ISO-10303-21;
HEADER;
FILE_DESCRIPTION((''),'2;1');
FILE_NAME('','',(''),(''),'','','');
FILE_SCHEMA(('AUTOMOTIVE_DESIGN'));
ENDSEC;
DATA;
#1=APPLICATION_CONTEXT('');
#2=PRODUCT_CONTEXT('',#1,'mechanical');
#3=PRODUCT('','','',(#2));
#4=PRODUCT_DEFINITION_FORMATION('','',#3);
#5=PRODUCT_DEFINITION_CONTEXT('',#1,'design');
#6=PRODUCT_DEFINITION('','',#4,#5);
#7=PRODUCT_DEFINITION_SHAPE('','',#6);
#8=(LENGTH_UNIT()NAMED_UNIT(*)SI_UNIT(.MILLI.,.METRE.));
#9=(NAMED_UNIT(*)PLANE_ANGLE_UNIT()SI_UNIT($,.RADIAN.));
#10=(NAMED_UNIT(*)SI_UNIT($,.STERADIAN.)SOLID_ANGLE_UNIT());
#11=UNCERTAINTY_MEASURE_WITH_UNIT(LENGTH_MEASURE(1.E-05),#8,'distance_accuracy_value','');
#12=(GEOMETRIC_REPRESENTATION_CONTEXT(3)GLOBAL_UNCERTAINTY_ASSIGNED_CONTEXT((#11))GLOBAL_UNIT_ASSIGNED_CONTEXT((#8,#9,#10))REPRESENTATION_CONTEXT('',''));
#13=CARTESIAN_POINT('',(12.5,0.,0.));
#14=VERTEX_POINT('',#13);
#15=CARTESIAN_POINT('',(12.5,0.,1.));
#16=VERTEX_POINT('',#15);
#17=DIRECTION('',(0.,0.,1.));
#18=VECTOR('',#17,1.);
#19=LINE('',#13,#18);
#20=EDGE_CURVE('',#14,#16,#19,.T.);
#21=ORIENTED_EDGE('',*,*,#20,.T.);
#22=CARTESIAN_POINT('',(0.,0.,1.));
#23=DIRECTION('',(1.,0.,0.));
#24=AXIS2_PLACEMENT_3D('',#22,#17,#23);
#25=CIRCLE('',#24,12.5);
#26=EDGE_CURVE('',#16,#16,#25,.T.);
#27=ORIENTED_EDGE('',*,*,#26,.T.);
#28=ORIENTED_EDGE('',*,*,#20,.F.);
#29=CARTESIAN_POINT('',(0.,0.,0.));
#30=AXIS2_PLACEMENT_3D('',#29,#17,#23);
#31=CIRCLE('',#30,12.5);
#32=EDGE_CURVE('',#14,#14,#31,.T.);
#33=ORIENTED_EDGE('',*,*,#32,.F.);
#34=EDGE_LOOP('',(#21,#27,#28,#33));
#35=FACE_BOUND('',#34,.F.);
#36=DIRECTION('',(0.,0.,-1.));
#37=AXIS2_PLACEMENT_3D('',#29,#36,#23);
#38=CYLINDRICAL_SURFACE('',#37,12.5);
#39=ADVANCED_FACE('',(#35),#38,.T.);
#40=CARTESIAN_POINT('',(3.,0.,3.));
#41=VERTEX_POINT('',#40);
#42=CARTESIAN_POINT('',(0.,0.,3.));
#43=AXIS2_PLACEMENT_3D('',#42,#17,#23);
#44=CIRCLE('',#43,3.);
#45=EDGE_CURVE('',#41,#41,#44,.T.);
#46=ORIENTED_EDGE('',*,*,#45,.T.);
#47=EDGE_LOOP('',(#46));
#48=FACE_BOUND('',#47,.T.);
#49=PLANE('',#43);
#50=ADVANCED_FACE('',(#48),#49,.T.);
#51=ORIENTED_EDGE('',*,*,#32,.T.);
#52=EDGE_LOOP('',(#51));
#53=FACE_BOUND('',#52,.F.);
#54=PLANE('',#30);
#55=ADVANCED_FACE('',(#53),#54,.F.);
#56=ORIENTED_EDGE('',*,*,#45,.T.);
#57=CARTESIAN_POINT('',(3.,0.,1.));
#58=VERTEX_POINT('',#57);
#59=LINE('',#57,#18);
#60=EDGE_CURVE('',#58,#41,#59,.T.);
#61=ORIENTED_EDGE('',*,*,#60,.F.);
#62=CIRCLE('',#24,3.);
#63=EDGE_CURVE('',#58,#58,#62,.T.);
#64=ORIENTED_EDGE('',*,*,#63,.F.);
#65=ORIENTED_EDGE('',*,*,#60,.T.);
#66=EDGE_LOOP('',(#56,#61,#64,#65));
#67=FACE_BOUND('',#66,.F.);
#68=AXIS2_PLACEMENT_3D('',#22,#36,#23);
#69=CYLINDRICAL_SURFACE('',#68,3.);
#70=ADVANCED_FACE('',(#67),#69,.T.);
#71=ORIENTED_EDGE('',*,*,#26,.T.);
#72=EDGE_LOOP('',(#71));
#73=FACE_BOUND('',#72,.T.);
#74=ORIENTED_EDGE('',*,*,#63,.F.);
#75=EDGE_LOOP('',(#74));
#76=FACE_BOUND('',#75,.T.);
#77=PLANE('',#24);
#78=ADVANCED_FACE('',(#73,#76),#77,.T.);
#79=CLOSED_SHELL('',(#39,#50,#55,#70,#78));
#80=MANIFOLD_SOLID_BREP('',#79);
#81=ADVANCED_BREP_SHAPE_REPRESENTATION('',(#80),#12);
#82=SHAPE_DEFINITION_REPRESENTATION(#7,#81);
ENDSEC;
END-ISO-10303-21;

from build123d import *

# Parameters (mm, degrees)
SKETCH_R     = 12.5
PAD_DEPTH    = 1
SKETCH001_R  = 3
PAD001_DEPTH = 2


with BuildPart() as part:
    # Sketch → Pad (new body)
    with BuildSketch(Plane.XY):
        Circle(SKETCH_R)
    extrude(amount=PAD_DEPTH)

    # Sketch001 (on Face3 of Pad) → Pad001 (join)
    with BuildSketch(Plane.XY.offset(1)):
        Circle(SKETCH001_R)
    extrude(amount=PAD001_DEPTH)


solid = part.part
